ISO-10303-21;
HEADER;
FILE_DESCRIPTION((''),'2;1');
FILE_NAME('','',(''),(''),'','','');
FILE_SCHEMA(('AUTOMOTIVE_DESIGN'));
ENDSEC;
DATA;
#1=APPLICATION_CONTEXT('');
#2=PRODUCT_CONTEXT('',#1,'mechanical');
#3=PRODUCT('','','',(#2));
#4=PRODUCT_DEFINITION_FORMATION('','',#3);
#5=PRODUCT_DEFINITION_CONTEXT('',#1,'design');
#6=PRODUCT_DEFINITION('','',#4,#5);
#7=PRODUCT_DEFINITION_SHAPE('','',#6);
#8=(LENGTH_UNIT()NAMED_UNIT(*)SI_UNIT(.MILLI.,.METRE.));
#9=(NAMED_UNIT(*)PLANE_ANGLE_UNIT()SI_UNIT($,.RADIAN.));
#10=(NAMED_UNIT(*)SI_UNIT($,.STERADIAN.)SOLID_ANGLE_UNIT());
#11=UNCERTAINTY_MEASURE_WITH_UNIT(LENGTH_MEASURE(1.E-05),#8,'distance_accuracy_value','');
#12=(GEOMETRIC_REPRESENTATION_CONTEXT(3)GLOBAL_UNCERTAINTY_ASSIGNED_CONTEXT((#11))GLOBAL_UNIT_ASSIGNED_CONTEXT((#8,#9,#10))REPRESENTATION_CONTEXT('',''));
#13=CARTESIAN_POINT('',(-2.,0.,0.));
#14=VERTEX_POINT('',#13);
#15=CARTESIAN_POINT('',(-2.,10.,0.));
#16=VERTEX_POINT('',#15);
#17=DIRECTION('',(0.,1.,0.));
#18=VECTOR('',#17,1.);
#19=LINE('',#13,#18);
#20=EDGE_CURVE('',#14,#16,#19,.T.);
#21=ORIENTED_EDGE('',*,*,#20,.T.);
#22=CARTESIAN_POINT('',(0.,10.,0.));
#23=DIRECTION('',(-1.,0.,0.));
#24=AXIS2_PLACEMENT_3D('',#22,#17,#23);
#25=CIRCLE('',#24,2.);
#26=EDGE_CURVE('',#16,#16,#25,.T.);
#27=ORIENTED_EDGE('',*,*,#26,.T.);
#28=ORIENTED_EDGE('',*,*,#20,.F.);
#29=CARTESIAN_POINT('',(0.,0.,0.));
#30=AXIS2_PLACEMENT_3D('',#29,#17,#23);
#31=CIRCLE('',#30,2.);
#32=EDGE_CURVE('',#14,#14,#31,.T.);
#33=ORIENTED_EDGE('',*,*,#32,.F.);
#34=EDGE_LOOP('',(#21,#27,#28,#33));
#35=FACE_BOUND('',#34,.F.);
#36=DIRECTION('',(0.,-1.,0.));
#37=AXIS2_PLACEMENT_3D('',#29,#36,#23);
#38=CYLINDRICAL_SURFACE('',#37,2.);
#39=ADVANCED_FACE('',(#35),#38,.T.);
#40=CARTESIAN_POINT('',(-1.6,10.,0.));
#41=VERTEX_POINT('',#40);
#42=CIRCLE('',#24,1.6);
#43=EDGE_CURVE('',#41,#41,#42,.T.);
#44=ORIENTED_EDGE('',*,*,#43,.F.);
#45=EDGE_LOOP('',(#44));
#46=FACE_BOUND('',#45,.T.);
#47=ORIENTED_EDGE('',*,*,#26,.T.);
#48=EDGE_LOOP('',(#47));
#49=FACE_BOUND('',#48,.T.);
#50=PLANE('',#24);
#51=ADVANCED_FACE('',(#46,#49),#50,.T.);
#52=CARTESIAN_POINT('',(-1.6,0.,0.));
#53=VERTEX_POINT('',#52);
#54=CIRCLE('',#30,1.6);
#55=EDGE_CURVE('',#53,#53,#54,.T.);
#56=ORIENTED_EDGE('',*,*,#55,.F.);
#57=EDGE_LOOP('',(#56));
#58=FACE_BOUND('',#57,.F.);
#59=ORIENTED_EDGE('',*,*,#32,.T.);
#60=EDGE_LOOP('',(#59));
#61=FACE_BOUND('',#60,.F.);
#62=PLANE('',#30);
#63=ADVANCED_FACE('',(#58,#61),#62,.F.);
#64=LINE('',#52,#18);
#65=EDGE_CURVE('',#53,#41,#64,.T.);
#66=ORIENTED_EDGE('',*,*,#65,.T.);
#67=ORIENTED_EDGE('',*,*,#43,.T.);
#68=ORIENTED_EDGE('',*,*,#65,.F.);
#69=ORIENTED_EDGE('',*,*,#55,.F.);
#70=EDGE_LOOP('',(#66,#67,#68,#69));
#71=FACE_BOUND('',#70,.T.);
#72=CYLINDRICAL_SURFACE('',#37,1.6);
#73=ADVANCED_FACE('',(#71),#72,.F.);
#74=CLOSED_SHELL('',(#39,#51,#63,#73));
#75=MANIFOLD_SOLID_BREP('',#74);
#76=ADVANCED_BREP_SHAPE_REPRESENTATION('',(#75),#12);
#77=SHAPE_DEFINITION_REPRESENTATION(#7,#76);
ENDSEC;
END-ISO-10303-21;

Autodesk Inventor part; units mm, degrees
ref_plane "YZ Plane" through (0, 0, 0) normal (1, 0, 0) x (0, 1, 0)
ref_plane "XZ Plane" through (0, 0, 0) normal (0, 1, 0) x (-1, 0, 0)
ref_plane "XY Plane" through (0, 0, 0) normal (0, 0, 1) x (1, 0, 0)
sketch "Sketch1" plane through (0, 0, 0) normal (0, 1, 0) x (-1, 0, 0)
  circle A0 centre (0, 0) radius 1.6
  circle A1 centre (0, 0) radius 2
  dimension "d0" = 3.2
  dimension "d1" = 4
extrude "Extrusion1" add sketch "Sketch1" along normal blind 10
properties part number "ThrustRollerSpacer" material "Stainless Steel"
